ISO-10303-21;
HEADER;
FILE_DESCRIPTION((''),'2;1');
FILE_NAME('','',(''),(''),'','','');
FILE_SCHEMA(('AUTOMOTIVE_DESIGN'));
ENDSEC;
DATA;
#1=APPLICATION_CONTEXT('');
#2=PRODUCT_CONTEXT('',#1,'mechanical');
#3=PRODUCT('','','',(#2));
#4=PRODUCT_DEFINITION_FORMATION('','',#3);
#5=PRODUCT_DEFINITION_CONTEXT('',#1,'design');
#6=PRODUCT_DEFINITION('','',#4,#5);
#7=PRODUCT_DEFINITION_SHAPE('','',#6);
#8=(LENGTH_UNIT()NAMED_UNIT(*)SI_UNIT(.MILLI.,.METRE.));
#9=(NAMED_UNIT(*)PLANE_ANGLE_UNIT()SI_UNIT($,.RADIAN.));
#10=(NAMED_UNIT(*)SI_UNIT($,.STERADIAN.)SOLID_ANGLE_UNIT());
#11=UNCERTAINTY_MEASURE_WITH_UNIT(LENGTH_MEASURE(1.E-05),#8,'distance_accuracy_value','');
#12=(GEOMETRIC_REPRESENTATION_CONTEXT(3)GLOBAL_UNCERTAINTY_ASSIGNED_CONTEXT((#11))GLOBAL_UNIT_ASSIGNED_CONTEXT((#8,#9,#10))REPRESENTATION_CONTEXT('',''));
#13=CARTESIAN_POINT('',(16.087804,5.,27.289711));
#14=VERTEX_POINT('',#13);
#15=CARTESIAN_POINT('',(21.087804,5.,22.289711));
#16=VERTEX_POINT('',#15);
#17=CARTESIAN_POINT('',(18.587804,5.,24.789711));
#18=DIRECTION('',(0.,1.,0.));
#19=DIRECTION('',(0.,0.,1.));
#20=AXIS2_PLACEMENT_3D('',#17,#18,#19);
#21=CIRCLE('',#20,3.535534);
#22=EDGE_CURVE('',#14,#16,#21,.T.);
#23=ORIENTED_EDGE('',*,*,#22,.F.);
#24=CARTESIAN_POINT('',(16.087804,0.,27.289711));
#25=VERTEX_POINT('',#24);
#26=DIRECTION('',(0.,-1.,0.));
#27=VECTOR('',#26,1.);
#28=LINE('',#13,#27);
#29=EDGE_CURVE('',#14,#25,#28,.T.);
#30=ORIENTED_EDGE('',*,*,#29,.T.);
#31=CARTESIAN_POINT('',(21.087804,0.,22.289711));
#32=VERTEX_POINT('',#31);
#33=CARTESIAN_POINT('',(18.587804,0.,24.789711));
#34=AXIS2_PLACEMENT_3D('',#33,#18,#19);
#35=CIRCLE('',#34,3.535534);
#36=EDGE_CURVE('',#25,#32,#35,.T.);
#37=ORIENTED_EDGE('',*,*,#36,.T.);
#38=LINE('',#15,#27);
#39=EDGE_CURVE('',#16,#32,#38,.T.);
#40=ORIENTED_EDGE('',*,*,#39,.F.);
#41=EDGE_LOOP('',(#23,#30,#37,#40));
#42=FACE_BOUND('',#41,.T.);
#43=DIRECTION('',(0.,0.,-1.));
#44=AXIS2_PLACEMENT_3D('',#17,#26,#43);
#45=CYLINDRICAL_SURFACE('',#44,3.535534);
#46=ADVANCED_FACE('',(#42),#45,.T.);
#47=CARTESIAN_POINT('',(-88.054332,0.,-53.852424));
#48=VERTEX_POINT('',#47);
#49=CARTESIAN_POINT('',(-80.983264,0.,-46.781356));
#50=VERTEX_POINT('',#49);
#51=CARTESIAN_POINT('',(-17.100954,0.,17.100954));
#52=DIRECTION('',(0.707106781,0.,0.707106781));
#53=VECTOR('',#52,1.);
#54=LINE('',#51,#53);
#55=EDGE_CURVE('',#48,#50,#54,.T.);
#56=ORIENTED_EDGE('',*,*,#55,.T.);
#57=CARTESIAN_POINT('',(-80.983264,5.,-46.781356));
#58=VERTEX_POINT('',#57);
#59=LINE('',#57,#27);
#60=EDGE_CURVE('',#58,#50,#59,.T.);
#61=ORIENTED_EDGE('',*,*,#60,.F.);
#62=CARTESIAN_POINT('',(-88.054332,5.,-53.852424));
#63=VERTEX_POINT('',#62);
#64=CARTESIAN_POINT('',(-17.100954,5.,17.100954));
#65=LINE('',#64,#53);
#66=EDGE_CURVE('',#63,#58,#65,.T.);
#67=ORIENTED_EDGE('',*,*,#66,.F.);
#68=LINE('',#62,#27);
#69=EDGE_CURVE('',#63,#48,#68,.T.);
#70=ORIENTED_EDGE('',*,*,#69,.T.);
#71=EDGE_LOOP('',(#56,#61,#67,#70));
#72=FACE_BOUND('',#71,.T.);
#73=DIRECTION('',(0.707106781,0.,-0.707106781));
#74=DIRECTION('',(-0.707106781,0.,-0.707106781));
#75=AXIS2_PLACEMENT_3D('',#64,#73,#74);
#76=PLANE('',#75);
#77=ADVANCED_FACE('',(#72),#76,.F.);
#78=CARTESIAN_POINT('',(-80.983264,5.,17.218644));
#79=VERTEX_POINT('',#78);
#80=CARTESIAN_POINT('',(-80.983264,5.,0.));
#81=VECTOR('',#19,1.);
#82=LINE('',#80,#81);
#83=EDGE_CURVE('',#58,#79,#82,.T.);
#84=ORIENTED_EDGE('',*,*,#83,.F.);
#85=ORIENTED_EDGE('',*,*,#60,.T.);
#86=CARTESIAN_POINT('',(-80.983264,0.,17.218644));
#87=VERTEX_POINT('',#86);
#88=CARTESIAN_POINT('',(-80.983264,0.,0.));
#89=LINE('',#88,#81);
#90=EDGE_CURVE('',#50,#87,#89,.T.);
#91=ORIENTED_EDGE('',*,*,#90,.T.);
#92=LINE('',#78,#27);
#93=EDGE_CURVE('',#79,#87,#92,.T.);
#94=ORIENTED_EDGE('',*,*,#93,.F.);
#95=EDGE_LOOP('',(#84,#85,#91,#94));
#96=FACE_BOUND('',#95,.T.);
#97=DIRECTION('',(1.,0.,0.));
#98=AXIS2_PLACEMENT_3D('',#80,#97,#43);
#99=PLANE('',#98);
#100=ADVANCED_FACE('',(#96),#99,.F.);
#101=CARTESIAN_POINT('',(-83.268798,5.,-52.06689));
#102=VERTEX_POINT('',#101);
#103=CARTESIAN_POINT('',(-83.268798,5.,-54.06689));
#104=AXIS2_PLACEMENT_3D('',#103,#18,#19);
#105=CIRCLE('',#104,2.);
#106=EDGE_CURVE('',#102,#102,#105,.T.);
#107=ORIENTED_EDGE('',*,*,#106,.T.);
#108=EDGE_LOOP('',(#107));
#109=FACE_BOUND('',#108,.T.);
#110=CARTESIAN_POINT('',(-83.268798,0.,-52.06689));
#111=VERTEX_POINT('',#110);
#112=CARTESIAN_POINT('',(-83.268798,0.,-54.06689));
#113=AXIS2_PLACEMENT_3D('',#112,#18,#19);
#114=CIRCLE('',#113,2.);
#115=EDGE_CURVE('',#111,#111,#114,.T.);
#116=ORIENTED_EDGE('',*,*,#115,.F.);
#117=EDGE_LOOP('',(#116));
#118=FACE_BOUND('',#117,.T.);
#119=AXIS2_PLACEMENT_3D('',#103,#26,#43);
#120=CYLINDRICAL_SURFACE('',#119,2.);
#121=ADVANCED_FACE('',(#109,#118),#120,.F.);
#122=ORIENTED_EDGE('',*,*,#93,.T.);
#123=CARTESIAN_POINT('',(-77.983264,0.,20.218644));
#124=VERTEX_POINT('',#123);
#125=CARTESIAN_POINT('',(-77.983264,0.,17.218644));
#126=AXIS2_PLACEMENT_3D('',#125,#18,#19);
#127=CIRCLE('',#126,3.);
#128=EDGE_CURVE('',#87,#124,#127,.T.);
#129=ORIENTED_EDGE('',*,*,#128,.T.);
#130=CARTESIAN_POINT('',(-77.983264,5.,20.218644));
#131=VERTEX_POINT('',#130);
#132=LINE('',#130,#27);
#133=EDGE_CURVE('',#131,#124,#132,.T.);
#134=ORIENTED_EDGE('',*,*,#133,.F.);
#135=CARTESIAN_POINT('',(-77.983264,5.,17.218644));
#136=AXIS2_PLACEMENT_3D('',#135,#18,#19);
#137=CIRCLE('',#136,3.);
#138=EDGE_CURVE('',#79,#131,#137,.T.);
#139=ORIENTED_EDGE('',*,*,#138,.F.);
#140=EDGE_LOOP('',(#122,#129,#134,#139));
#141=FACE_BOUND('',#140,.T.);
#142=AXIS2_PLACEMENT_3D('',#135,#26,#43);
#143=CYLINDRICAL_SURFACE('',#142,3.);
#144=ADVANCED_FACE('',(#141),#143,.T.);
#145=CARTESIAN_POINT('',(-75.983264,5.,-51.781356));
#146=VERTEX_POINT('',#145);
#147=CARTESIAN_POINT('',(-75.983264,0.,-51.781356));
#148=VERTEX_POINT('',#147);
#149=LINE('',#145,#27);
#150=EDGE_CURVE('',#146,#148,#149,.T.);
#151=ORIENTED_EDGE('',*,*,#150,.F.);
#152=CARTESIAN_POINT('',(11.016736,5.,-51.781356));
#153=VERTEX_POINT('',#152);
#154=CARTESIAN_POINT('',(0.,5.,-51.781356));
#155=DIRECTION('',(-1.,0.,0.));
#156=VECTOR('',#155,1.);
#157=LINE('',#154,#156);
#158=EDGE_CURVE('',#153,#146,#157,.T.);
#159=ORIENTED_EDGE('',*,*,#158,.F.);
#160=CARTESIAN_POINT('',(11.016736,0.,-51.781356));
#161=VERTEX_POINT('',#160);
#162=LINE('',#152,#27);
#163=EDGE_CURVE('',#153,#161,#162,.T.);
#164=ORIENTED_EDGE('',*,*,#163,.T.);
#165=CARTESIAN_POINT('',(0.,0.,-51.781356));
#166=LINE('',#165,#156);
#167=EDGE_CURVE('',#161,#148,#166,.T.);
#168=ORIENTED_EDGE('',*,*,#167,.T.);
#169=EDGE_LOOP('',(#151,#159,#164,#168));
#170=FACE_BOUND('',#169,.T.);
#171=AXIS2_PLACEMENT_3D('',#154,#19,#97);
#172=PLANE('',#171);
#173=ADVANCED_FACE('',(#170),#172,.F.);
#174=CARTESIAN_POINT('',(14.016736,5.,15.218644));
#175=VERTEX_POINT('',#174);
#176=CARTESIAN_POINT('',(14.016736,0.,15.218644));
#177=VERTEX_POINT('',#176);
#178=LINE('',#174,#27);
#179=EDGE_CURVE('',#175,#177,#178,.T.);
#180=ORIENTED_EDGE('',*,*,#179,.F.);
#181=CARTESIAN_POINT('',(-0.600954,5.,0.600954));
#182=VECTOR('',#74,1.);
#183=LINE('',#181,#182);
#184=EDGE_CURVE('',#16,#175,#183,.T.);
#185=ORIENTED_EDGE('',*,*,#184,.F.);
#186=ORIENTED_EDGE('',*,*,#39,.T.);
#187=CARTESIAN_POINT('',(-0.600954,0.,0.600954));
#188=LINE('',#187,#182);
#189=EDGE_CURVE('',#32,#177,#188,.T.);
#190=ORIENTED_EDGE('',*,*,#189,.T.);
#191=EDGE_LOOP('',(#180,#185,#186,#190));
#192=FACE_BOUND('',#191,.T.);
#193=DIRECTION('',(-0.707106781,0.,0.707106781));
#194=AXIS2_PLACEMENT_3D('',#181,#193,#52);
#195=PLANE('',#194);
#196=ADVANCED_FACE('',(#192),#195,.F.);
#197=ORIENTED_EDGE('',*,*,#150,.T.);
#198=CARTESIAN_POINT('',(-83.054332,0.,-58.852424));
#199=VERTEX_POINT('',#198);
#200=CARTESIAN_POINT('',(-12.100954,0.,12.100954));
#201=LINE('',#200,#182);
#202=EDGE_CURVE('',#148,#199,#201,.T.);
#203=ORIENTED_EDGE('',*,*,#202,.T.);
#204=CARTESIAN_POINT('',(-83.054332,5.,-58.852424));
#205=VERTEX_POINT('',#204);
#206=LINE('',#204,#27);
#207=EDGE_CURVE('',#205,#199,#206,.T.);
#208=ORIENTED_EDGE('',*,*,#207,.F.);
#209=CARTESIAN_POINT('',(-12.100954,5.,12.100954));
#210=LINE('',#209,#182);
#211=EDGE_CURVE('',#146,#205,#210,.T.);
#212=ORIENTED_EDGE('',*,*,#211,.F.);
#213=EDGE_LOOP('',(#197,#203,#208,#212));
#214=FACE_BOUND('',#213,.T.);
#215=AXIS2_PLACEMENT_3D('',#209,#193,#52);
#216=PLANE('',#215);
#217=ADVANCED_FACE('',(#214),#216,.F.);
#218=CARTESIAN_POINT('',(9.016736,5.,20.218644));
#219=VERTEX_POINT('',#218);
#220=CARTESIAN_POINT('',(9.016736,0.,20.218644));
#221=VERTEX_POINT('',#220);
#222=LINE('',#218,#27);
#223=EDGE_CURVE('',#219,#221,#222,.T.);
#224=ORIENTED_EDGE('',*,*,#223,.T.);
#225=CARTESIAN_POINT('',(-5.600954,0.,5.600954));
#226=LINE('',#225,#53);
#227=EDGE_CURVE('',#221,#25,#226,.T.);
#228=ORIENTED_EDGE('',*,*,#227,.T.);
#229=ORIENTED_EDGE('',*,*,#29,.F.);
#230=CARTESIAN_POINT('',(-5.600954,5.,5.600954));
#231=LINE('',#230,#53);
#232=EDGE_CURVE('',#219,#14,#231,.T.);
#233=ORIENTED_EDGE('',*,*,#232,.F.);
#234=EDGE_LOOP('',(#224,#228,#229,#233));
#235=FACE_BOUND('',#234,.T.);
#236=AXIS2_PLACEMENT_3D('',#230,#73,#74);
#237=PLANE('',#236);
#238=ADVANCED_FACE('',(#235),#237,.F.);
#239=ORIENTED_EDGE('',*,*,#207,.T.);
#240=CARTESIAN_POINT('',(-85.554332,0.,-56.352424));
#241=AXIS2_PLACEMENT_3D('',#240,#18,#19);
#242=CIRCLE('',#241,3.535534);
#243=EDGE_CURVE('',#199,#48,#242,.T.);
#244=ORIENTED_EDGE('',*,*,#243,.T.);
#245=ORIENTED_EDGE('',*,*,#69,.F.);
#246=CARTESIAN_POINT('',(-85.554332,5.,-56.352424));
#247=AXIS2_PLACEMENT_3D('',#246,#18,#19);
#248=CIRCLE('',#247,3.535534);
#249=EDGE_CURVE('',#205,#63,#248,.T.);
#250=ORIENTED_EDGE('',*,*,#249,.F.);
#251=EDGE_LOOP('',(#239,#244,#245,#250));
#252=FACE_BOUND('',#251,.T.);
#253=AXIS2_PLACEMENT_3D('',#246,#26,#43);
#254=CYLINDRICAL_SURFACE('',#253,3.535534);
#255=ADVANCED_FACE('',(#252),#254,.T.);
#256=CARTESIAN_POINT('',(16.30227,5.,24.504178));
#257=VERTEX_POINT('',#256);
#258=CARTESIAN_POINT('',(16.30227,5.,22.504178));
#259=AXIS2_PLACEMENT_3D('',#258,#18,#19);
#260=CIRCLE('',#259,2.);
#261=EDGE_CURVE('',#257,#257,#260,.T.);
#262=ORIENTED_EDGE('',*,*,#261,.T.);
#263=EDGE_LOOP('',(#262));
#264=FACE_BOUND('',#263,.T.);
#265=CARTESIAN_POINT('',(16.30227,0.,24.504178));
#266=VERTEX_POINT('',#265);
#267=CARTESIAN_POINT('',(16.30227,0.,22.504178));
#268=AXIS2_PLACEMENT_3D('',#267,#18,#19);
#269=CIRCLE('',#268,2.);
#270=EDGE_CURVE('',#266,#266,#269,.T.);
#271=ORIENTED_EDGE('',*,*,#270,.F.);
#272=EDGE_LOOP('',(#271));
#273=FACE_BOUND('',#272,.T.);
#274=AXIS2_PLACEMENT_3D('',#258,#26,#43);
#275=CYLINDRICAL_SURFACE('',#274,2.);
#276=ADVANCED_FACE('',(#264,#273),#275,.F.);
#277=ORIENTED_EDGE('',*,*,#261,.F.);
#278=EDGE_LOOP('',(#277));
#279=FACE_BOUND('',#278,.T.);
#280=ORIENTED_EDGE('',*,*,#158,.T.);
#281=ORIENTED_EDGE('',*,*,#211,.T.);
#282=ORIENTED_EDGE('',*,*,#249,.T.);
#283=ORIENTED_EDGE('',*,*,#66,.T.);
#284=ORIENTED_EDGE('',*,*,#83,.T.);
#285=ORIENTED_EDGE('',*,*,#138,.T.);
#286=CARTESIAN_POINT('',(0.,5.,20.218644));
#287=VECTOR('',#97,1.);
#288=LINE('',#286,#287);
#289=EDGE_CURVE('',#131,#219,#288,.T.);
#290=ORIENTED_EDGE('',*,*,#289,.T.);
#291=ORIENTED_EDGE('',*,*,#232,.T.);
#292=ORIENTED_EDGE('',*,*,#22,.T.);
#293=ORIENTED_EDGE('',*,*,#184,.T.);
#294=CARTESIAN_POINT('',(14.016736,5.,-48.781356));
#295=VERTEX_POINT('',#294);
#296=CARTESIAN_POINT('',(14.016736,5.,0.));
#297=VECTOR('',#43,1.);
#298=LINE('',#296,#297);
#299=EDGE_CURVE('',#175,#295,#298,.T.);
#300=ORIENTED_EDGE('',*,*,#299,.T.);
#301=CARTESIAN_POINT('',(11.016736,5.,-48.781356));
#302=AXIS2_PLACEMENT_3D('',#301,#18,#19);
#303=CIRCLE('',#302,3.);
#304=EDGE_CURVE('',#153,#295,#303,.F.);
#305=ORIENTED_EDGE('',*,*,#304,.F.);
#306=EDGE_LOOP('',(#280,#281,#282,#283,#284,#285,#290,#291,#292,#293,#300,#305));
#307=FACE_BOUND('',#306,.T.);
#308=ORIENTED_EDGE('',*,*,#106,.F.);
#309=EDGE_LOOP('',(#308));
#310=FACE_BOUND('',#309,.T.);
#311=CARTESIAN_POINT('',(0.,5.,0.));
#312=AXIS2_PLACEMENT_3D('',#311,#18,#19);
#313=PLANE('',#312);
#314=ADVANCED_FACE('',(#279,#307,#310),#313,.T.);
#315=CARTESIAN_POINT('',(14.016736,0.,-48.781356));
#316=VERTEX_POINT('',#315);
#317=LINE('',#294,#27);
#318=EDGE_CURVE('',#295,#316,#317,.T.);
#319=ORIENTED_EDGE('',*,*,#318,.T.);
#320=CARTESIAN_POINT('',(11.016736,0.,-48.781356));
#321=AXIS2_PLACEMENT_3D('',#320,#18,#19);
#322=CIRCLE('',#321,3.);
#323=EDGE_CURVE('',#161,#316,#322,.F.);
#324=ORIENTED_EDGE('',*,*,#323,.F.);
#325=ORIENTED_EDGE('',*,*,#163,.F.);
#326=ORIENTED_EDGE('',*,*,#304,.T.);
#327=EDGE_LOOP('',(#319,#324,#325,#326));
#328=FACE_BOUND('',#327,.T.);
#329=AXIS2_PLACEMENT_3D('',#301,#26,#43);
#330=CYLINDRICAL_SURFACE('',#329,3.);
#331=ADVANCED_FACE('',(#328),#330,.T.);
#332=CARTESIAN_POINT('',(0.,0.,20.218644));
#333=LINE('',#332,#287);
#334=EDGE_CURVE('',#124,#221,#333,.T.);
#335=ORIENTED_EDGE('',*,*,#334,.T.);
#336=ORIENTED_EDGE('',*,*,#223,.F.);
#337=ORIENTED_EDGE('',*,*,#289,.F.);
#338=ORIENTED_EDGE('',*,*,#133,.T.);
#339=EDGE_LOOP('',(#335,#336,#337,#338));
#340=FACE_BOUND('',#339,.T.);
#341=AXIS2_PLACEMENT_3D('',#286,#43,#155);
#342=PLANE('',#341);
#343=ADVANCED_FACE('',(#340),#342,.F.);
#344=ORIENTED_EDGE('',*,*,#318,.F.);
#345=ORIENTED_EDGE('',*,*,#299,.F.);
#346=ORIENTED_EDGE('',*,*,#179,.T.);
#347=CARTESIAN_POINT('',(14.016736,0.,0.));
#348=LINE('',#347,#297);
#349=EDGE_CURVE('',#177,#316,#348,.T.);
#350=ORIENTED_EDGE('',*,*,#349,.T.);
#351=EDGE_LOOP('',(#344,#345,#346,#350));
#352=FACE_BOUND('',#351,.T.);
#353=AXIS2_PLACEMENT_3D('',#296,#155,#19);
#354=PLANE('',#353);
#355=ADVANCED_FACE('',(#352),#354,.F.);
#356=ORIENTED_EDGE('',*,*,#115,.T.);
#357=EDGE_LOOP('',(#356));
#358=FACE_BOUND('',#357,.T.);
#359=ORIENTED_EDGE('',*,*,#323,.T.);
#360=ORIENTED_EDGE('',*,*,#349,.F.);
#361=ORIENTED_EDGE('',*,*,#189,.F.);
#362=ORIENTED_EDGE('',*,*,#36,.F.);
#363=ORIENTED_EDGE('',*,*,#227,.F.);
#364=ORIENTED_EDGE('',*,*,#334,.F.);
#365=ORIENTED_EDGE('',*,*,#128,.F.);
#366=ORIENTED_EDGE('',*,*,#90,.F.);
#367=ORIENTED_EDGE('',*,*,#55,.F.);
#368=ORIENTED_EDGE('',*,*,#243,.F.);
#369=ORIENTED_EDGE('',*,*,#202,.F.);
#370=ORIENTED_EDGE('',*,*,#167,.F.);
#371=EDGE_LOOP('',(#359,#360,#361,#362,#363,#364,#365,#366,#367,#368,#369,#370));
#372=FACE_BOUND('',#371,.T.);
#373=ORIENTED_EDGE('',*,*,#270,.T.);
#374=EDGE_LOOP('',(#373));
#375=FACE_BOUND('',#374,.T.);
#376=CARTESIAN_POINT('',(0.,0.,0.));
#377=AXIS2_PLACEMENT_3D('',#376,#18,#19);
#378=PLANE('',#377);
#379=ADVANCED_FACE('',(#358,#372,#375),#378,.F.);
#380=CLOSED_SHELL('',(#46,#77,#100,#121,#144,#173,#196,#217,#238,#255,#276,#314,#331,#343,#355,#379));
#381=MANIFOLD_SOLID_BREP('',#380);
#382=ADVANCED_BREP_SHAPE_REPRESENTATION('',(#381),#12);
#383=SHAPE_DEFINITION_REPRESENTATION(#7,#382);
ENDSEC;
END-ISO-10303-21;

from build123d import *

# Parameters (mm, degrees)
ESBO_O1_R                = 2
RESSALTO_EXTRUS_O1_DEPTH = 5


with BuildPart() as part:
    # Esboço1 → Ressalto-extrusão1 (new body)
    # profile 1 of 2: a face of its own
    with BuildSketch(Plane(origin=(0, 0, 0), x_dir=(1, 0, 0), z_dir=(0, 1, 0))):
        with BuildLine():
            Line((9.016735984, -20.218643644), (16.087803796, -27.289711456))
            ThreePointArc((16.087803796, -27.289711456), (21.087803796, -27.289711456), (21.087803796, -22.289711456))
            Line((21.087803796, -22.289711456), (14.016735984, -15.218643644))
            Line((14.016735984, -15.218643644), (14.016735984, 48.781356356))
            ThreePointArc((14.016735984, 48.781356356), (13.138056327, 50.902676699), (11.016735984, 51.781356356))
            Line((11.016735984, 51.781356356), (-75.983264016, 51.781356356))
            Line((-75.983264016, 51.781356356), (-80.983264016, 46.781356356))
            Line((-80.983264016, 46.781356356), (-80.983264016, -17.218643644))
            ThreePointArc((-80.983264016, -17.218643644), (-80.10458436, -19.339963988), (-77.983264016, -20.218643644))
            Line((-77.983264016, -20.218643644), (9.016735984, -20.218643644))
        make_face()
        with Locations(Location((16.30226989, -22.50417755, 0), (0, 0, 270))):
            Circle(ESBO_O1_R, mode=Mode.SUBTRACT)
    # profile 2 of 2: a face of its own
    with BuildSketch(Plane(origin=(0, 0, 0), x_dir=(1, 0, 0), z_dir=(0, 1, 0))):
        with BuildLine():
            Line((-75.983264016, 51.781356356), (-83.054331828, 58.852424167))
            ThreePointArc((-83.054331828, 58.852424167), (-88.054331828, 58.852424167), (-88.054331828, 53.852424167))
            Line((-88.054331828, 53.852424167), (-80.983264016, 46.781356356))
            Line((-80.983264016, 46.781356356), (-75.983264016, 51.781356356))
        make_face()
        with Locations(Location((-83.268797922, 54.066890262, 0), (0, 0, 270))):
            Circle(ESBO_O1_R, mode=Mode.SUBTRACT)
    extrude(amount=RESSALTO_EXTRUS_O1_DEPTH)


solid = part.part
